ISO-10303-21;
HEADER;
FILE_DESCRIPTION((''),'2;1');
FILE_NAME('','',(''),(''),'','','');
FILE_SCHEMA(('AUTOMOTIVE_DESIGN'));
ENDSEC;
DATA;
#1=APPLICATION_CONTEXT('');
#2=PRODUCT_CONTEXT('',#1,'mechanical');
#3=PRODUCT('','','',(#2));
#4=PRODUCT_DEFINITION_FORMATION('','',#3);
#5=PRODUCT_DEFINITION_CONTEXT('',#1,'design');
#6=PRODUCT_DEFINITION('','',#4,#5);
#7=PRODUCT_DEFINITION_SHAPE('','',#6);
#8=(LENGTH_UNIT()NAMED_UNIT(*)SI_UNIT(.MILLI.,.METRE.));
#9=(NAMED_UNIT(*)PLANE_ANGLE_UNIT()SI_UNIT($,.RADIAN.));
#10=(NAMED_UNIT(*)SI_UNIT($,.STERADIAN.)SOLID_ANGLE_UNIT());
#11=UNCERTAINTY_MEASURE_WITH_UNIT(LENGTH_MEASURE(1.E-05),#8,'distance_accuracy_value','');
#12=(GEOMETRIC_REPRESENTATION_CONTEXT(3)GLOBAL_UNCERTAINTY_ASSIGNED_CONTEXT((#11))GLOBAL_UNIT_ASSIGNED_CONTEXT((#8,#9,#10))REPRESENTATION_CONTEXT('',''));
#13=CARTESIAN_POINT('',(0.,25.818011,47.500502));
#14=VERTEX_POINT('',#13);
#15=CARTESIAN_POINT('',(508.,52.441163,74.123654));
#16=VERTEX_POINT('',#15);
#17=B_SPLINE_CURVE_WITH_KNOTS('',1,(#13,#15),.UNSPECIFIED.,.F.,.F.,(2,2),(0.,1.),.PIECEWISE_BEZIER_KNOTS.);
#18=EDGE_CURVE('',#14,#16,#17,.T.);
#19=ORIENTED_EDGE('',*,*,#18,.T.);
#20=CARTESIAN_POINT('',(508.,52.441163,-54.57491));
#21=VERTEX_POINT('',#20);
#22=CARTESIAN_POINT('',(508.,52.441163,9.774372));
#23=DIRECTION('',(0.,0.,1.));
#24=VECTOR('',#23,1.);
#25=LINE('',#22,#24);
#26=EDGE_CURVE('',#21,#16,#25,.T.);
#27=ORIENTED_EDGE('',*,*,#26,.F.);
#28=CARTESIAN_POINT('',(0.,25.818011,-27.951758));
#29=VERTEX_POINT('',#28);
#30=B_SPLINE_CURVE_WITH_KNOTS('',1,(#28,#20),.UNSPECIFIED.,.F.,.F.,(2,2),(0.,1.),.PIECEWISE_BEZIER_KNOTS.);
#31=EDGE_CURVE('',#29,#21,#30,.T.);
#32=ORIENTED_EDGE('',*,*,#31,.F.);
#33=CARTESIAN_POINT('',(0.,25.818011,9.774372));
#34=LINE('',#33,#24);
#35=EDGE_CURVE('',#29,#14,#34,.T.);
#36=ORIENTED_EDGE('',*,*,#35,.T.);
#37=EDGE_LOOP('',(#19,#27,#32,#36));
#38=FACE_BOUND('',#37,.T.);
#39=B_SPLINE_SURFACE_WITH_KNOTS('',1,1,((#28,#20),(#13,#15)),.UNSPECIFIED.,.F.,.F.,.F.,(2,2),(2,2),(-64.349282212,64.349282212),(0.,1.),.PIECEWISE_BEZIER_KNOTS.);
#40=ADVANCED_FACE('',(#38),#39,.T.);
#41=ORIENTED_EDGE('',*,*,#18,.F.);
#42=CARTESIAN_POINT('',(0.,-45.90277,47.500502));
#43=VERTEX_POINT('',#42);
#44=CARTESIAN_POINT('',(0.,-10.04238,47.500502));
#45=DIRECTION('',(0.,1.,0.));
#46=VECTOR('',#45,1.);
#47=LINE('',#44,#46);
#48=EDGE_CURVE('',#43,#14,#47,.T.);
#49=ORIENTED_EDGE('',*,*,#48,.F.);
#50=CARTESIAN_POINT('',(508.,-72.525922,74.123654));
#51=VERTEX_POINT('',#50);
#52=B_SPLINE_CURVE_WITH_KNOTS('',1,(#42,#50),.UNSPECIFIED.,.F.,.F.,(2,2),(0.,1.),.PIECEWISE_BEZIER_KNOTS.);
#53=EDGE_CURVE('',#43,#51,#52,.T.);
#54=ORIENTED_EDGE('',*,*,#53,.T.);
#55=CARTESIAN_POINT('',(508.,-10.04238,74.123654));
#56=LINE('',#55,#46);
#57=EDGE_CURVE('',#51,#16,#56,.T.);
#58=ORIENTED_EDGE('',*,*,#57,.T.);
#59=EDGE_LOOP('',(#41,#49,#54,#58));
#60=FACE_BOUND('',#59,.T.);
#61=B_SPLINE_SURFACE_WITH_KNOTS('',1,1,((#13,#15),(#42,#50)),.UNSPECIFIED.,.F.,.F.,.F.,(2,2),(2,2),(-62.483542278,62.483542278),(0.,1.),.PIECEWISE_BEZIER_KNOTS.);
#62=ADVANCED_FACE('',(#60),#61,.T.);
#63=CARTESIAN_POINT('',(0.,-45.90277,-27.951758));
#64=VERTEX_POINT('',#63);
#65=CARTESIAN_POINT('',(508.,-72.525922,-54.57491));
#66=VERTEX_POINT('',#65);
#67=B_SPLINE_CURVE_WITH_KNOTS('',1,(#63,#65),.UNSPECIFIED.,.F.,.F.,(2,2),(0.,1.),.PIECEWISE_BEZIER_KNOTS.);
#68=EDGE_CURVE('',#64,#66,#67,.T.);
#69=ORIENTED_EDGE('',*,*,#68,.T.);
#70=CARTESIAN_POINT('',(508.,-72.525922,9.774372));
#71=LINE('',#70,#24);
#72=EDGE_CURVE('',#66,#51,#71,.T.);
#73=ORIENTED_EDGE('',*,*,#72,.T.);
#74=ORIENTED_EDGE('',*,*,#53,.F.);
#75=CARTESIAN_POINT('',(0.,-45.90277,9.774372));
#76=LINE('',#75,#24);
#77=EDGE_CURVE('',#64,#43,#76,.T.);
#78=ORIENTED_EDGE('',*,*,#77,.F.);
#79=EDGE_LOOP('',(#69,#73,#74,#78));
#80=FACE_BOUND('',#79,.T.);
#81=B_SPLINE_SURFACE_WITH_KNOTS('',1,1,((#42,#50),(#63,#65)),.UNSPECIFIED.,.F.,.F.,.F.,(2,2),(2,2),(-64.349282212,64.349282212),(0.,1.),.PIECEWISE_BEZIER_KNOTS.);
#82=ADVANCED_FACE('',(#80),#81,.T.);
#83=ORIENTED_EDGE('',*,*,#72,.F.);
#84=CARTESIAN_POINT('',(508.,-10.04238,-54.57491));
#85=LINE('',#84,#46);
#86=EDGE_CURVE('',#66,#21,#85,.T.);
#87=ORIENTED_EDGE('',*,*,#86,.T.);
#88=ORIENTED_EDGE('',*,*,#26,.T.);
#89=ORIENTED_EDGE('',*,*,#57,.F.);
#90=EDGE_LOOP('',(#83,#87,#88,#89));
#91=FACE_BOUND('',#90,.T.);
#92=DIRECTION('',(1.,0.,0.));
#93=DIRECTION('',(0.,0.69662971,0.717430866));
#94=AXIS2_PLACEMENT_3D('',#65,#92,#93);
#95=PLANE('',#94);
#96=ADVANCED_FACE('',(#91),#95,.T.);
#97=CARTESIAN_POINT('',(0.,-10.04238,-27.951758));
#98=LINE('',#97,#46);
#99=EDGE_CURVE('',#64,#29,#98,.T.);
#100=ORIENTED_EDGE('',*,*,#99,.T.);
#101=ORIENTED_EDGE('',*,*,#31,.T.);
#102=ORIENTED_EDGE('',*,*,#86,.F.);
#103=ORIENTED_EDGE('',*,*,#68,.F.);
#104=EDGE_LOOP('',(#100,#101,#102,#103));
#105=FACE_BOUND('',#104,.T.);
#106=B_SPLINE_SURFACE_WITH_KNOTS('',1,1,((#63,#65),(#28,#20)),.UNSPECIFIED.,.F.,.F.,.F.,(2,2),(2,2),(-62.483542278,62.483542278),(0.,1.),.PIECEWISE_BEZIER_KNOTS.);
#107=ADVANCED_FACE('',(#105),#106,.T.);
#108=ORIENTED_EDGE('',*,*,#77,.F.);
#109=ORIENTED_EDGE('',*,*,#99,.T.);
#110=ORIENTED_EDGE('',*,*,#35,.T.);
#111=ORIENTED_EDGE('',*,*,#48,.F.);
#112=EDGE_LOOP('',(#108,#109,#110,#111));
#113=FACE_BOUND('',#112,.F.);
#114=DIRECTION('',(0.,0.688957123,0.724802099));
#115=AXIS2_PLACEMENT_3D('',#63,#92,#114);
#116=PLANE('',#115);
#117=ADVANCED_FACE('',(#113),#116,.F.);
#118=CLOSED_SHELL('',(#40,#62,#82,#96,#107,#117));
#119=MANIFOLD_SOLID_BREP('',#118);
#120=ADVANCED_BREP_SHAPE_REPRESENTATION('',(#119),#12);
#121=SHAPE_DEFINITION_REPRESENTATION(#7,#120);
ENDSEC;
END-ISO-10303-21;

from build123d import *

# Parameters (mm, degrees)
F0_W     = 71.7207808048
F0_H     = 75.452260673
F1_DEPTH = 508
F1_TAPER = -3


with BuildPart() as f1:
    # F0 (on Right) → F1 (new body)
    with BuildSketch(Plane.YZ):
        with Locations((-10.0423796102, 9.7743719816)):
            Rectangle(F0_W, F0_H)
    extrude(amount=F1_DEPTH, taper=F1_TAPER)


solid = f1.part
